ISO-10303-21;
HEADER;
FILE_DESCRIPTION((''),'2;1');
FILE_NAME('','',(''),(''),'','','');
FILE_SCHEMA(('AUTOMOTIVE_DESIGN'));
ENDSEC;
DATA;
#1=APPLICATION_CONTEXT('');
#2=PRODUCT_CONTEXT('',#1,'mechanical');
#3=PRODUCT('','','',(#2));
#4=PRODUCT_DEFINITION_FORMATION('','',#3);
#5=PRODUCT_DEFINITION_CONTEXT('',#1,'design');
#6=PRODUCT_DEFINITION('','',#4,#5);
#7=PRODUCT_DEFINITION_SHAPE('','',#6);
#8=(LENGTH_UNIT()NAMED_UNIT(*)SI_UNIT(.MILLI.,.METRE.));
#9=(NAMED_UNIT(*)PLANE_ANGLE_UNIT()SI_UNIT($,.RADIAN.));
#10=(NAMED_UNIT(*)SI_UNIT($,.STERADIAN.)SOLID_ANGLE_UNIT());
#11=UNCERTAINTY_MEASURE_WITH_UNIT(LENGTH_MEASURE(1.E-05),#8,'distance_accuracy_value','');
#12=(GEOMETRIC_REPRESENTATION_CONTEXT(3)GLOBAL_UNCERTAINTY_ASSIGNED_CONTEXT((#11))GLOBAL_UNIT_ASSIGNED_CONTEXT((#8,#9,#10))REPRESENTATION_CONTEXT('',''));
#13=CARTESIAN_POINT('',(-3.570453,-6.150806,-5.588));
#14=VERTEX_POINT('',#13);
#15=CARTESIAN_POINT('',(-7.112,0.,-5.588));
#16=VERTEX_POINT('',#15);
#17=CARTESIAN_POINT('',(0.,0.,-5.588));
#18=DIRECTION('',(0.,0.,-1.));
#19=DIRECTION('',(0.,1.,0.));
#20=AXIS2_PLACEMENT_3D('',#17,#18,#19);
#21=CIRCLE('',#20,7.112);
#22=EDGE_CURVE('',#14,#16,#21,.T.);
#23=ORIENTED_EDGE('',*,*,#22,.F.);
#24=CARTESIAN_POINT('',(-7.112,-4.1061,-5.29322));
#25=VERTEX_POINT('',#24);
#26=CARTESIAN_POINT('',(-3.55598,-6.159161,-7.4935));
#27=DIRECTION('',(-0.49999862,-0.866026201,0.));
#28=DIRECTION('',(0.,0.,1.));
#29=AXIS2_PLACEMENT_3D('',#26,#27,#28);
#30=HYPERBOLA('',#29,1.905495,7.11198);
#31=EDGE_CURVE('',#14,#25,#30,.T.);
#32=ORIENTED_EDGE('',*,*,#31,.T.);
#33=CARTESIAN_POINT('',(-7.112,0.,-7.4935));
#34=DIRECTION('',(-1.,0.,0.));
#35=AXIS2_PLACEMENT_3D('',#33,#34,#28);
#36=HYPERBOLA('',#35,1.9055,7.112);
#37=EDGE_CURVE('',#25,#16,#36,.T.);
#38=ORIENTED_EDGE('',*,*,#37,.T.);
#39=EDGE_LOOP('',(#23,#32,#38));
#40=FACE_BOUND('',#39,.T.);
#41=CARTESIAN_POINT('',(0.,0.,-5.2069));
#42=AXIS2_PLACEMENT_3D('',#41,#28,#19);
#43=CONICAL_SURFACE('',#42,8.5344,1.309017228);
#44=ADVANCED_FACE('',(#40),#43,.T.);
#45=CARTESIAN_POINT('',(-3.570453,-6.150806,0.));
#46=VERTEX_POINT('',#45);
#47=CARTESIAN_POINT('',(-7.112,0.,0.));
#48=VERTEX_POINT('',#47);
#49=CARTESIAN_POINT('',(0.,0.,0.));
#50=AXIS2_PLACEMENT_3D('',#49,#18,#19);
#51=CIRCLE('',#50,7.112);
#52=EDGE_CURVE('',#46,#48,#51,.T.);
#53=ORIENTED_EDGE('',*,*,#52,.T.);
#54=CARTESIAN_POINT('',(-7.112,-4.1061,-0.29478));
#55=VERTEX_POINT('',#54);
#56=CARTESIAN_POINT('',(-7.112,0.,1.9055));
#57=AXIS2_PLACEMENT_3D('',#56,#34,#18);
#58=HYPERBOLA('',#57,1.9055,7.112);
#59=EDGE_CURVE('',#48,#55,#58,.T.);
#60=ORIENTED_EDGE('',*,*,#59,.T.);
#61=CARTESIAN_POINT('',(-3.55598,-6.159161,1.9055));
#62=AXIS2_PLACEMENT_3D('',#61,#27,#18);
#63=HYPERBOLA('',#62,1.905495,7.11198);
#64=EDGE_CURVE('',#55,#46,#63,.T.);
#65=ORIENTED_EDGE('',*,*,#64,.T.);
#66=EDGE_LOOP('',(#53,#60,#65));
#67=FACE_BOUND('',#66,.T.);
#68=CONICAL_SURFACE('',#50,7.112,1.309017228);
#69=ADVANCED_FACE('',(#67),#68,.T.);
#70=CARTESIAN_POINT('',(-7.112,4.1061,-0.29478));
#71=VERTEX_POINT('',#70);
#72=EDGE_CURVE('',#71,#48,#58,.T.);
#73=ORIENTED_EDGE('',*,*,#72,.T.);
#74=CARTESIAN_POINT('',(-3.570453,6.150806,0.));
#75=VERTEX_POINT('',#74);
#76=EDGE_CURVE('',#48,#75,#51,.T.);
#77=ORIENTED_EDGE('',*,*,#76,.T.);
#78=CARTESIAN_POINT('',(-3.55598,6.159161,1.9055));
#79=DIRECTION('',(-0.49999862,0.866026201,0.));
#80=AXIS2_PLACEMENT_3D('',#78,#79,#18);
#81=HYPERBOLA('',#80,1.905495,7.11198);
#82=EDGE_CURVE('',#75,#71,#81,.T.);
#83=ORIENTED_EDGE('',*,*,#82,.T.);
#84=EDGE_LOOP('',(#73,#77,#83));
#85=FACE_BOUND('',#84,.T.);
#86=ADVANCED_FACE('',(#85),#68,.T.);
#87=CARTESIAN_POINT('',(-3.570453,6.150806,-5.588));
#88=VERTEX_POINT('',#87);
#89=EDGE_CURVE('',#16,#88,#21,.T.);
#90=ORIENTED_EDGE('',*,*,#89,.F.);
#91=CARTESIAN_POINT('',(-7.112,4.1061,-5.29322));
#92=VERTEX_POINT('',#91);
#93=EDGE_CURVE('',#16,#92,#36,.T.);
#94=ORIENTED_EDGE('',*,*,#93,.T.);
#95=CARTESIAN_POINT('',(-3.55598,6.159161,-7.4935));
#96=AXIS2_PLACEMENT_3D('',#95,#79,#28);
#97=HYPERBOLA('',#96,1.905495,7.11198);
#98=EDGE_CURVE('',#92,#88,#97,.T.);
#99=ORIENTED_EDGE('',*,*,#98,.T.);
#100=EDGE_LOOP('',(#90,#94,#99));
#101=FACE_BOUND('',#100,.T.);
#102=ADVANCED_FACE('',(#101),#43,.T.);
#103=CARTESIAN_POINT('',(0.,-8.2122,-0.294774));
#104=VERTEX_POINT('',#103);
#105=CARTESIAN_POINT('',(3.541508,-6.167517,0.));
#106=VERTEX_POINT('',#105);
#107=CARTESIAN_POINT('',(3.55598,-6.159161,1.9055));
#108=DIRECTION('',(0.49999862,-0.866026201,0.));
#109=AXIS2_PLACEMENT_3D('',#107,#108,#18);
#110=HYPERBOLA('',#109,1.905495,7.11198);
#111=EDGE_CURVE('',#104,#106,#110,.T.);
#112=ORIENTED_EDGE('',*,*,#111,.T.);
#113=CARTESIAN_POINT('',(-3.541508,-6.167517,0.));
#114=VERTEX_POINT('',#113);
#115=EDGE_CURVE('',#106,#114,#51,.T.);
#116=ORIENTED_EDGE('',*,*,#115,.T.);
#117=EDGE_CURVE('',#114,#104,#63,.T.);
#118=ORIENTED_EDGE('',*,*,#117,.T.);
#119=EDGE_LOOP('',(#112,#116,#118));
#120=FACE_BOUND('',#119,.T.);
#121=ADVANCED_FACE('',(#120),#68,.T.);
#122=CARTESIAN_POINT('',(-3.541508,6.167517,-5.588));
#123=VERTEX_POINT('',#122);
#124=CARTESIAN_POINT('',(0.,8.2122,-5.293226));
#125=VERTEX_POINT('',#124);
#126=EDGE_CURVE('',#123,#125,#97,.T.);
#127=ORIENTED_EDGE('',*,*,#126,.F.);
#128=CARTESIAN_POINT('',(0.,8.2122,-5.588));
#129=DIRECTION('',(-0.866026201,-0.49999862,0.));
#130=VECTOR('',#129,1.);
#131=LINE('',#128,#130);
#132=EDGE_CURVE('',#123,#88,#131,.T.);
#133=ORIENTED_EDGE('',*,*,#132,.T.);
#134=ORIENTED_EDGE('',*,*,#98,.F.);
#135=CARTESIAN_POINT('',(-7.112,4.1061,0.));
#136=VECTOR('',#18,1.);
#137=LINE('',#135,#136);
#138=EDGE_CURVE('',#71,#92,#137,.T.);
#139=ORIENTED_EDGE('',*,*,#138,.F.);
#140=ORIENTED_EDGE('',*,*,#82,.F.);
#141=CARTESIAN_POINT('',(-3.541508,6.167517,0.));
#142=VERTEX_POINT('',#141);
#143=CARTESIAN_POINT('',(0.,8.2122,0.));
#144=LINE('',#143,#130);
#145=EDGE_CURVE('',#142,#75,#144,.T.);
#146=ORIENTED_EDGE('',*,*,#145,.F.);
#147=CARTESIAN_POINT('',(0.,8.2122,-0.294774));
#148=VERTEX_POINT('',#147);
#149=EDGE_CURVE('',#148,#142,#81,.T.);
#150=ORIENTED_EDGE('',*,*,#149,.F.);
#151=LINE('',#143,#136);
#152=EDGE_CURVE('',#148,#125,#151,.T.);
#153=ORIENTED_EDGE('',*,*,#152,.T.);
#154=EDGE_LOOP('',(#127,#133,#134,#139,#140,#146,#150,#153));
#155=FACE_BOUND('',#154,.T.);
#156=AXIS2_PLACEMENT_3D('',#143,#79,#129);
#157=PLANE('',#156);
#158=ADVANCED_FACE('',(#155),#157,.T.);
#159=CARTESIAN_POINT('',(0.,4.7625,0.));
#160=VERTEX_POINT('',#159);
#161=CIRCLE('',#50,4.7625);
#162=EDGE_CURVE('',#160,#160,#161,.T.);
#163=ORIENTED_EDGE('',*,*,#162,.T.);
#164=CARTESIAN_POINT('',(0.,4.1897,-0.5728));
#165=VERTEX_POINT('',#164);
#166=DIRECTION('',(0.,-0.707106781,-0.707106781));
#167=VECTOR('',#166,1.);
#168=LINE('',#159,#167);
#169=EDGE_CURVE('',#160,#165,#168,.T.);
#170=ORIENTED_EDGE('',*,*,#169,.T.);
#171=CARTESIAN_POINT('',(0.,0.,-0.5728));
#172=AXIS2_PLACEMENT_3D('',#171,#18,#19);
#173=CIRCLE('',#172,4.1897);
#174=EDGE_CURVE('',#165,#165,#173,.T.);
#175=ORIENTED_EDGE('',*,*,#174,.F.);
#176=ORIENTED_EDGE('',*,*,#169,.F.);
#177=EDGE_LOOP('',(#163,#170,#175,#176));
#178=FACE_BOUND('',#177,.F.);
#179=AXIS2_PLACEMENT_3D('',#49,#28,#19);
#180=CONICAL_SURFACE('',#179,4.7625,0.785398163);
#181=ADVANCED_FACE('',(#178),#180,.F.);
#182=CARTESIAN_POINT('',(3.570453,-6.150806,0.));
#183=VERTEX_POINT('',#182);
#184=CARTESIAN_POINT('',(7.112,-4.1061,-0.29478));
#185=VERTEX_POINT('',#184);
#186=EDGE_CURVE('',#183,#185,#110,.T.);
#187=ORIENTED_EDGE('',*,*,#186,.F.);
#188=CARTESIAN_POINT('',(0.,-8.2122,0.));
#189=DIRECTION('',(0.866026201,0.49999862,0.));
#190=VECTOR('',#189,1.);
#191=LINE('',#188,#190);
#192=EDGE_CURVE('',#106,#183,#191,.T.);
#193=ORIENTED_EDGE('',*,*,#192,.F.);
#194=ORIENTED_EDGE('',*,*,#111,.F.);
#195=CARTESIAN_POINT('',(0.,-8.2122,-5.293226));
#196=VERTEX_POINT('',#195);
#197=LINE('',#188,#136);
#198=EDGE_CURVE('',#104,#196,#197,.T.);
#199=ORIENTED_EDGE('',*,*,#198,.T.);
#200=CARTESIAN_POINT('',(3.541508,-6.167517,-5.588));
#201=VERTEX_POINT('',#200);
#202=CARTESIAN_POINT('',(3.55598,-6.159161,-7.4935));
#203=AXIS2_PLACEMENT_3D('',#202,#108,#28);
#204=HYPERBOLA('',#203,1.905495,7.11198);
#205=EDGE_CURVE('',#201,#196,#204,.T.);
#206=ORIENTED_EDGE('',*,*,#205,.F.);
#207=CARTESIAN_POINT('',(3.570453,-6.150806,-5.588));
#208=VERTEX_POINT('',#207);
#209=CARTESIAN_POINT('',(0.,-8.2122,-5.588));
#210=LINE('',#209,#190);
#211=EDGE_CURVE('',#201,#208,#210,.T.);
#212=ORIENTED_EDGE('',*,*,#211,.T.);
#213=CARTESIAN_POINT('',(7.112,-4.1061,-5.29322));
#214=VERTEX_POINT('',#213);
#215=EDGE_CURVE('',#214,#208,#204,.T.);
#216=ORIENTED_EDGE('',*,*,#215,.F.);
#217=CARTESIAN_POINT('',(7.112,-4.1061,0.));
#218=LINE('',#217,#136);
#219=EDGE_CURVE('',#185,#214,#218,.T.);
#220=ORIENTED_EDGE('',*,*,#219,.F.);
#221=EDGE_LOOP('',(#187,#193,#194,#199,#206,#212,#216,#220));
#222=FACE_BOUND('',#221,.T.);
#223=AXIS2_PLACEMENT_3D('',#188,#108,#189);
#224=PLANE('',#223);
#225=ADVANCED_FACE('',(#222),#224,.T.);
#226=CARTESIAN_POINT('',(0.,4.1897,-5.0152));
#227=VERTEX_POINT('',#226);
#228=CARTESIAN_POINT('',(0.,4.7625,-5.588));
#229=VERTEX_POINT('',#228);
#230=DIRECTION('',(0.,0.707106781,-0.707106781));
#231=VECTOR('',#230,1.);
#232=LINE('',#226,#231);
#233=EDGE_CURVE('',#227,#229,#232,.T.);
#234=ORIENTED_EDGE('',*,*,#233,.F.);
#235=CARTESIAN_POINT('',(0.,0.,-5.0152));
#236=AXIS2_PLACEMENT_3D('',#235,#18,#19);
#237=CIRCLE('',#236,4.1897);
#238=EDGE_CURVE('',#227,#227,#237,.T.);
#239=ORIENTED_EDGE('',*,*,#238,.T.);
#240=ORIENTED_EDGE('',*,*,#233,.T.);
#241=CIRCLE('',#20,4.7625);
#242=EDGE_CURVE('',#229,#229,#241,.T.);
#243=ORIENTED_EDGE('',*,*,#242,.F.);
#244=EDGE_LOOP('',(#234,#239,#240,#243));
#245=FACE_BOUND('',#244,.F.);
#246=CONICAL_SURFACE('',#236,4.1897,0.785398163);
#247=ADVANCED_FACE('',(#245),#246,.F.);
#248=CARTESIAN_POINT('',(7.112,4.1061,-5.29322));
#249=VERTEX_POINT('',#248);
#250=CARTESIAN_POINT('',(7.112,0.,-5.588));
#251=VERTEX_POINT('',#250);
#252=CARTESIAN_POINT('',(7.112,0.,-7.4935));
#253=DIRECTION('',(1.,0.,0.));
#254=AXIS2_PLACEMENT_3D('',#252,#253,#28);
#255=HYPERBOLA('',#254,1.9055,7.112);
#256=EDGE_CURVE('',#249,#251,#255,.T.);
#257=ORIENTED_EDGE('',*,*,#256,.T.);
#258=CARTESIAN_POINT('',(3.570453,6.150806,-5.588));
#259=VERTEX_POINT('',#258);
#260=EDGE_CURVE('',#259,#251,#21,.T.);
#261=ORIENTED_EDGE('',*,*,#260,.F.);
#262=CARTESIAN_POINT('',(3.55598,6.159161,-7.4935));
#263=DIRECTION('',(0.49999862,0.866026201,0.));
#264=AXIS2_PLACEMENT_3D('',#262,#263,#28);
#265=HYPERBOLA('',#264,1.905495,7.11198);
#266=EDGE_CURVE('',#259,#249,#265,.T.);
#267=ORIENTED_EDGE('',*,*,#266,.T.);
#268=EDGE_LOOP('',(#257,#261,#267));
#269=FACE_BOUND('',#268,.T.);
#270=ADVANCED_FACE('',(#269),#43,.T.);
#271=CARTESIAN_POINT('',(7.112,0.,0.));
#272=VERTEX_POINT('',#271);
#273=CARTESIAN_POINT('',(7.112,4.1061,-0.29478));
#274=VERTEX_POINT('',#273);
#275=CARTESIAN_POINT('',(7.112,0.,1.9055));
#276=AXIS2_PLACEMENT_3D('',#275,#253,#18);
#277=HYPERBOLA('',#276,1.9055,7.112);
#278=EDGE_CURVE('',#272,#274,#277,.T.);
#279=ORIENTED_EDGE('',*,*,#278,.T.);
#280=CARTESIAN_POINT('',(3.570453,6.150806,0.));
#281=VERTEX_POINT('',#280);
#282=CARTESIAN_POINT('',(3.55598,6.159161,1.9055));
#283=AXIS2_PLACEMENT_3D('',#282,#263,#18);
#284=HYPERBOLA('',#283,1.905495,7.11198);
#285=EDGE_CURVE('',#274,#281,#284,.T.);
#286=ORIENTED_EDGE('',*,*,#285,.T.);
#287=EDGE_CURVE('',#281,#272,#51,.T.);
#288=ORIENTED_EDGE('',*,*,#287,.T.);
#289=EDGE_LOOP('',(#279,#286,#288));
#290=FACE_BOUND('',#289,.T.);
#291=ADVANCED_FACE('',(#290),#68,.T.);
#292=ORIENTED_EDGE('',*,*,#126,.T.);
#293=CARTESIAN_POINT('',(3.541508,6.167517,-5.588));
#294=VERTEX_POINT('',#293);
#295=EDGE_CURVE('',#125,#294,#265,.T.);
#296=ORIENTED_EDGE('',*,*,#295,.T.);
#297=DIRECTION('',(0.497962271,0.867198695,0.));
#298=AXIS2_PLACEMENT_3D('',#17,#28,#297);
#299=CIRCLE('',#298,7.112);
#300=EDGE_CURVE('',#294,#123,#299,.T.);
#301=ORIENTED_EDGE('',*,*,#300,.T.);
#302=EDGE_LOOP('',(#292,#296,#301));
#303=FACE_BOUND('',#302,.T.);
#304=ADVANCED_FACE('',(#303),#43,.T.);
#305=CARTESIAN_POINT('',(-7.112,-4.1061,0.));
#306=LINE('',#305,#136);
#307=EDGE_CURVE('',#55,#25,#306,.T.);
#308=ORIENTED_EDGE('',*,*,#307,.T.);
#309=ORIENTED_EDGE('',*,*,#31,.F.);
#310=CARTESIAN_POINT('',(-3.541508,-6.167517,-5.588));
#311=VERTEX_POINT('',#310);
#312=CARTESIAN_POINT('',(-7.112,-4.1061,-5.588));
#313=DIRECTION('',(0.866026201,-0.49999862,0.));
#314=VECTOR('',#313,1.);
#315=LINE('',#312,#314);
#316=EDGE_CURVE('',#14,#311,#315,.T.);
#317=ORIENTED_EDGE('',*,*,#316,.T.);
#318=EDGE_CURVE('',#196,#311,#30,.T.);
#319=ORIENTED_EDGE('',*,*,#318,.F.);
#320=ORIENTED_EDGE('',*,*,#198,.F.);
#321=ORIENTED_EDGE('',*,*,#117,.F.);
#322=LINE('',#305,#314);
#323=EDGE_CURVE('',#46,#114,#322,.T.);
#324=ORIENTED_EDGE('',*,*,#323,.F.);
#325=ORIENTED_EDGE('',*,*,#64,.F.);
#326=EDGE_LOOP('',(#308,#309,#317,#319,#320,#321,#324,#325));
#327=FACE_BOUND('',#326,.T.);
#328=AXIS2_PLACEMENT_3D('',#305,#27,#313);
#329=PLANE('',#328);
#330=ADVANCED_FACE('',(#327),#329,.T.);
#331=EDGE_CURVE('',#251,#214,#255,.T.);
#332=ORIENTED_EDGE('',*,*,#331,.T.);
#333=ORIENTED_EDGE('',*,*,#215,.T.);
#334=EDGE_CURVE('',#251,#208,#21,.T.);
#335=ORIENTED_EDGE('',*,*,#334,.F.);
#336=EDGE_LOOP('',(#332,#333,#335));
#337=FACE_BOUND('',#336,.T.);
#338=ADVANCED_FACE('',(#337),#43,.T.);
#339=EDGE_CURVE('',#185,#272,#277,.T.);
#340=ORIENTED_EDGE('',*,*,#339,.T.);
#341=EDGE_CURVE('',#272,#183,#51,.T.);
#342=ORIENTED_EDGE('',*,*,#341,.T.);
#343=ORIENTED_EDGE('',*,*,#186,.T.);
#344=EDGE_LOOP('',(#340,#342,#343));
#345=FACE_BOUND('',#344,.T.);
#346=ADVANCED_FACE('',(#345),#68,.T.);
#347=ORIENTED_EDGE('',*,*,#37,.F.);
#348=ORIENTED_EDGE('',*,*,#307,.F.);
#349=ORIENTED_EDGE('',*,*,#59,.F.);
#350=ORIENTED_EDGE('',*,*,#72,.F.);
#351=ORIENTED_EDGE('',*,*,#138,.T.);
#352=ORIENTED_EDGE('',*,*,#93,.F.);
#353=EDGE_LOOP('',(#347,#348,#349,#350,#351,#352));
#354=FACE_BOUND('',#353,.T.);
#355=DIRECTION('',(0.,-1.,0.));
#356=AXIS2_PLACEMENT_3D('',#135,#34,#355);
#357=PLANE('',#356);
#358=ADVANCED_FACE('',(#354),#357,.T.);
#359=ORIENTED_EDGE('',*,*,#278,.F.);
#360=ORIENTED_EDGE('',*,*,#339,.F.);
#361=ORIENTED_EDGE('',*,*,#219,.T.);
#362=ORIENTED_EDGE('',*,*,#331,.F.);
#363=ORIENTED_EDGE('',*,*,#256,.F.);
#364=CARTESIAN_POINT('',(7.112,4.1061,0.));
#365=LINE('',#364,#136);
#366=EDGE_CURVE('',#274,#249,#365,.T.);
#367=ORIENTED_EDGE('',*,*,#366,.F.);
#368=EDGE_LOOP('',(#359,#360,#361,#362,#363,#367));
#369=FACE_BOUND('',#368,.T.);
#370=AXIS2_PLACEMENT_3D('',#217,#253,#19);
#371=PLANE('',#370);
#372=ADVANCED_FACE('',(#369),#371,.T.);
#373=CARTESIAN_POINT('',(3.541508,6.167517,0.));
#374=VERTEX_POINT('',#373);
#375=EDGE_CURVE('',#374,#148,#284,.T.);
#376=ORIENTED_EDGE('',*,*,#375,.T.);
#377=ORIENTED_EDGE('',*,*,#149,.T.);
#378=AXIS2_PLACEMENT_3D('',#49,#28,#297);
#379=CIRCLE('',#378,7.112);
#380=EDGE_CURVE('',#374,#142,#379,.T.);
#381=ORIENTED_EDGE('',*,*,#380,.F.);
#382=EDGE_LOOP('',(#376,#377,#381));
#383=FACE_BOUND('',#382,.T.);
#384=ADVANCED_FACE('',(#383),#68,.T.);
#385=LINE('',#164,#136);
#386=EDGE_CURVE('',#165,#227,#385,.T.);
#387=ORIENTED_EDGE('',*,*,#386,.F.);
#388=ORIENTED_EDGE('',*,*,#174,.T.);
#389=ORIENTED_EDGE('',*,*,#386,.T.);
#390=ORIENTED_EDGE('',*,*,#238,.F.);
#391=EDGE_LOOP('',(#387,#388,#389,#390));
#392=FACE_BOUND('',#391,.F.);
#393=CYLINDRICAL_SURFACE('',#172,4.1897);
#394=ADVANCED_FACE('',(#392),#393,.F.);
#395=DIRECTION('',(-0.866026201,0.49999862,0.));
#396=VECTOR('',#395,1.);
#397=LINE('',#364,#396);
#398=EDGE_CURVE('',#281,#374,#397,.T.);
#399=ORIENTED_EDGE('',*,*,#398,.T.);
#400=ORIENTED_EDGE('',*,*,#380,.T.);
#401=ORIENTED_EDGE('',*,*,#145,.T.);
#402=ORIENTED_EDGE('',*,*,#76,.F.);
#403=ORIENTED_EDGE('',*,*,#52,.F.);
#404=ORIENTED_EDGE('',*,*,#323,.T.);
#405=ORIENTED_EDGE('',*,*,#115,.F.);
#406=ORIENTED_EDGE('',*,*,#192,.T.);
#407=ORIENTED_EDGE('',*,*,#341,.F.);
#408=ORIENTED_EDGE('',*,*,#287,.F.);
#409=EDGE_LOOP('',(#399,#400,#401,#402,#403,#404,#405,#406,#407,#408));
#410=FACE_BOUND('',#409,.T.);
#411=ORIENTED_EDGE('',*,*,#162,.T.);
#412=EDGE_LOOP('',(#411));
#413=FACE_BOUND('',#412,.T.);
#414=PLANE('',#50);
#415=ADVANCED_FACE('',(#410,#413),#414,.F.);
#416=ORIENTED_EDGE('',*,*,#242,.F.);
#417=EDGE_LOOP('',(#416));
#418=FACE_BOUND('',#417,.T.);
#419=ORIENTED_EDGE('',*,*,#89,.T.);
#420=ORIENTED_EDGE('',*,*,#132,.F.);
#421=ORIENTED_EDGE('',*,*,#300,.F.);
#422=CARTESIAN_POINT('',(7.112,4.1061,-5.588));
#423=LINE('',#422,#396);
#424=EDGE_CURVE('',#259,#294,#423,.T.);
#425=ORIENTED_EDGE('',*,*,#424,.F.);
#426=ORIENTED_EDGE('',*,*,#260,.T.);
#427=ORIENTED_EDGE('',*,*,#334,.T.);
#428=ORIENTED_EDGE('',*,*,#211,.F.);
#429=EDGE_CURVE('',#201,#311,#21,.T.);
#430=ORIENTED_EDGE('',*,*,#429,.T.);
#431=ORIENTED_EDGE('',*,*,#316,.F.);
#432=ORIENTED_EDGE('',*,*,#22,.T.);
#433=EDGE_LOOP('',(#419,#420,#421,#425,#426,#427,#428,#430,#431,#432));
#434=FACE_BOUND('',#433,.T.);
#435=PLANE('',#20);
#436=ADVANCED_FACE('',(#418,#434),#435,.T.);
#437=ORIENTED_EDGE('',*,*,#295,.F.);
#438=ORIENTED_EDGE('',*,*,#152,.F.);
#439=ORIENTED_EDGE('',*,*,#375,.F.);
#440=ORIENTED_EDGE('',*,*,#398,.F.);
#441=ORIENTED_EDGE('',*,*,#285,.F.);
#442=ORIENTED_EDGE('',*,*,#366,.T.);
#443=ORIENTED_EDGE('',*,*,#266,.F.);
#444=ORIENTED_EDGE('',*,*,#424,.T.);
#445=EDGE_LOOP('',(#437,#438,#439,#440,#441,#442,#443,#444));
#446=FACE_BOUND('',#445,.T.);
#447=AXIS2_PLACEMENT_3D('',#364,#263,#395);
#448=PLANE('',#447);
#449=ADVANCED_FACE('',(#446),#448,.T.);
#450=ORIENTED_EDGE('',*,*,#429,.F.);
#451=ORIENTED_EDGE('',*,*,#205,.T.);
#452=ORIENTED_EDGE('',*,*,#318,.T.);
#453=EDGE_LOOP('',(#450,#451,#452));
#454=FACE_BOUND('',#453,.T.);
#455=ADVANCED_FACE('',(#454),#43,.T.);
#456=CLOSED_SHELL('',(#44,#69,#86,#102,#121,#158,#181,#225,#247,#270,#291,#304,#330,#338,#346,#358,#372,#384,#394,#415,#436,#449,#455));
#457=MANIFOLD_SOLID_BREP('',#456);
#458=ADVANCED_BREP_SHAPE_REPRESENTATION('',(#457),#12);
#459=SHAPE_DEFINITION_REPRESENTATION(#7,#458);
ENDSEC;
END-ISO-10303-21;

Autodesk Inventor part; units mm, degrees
sketch "Sketch_8" plane through (0, 0, 0) normal (1, 0, 0) x (0, 1, 0)
  line L0 (0, -5.588) -> (0, 0)
  line L1 (0, 0) -> (7.112, 0)
  line L2 (7.112, 0) -> (8.5344, -0.3811)
  line L3 (8.5344, -0.3811) -> (8.5344, -5.2069)
  line L4 (8.5344, -5.2069) -> (7.112, -5.588)
  line L5 (7.112, -5.588) -> (0, -5.588)
  line L6 (0, -5.588) -> (0, 0)
sketch "Sketch_10" plane through (0, 0, 0) normal (0, 0, 1) x (1, 0, 0)
  line L0 (-14.224, 14.224) -> (-14.224, -14.224)
  line L1 (-14.224, -14.224) -> (14.224, -14.224)
  line L2 (14.224, -14.224) -> (14.224, 14.224)
  line L3 (14.224, 14.224) -> (-14.224, 14.224)
  line L4 (-7.112, 4.1061) -> (-7.112, -4.1061)
  line L5 (-7.112, -4.1061) -> (0, -8.2122)
  line L6 (0, -8.2122) -> (7.112, -4.1061)
  line L7 (7.112, -4.1061) -> (7.112, 4.1061)
  line L8 (7.112, 4.1061) -> (0, 8.2122)
  line L9 (0, 8.2122) -> (-7.112, 4.1061)
revolve "Revolution1" add sketch "Sketch_8" angle 360 about axis through (0, 0, -5.588) along (0, 0, -1)
extrude "Extrusion1" cut sketch "Sketch_10" against normal blind 5.588
sketch "Sketch_11" plane through (0, 0, 0) normal (1, 0, 0) x (0, 1, 0)
  line L0 (0, -5.588) -> (0, 0)
  line L1 (0, 0) -> (4.7625, 0)
  line L2 (4.7625, 0) -> (4.1897, -0.5728)
  line L3 (4.1897, -0.5728) -> (4.1897, -5.0152)
  line L4 (4.1897, -5.0152) -> (4.7625, -5.588)
  line L5 (4.7625, -5.588) -> (0, -5.588)
  line L6 (0, -5.588) -> (0, 0)
revolve "Revolution2" cut sketch "Sketch_11" angle 360 about axis through (0, 0, -5.588) along (0, 0, -1)
thread "Thread1" size "3/8-24 UNF" class "2B" standard "ANSI Unified Screw Threads" full length
ref_plane "NUT_XY" through (0, 0, 0) normal (0, 0, 1) x (1, 0, 0)
ref_plane "NUT_YZ" through (0, 0, 0) normal (1, 0, 0) x (0, 1, 0)
ref_plane "NUT_ZX" through (0, 0, 0) normal (0, 1, 0) x (0, 0, 1)
ref_plane "a1_XY" through (-7.112, 7.112, 0) normal (0, 0, 1) x (1, 0, 0)
ref_plane "a1_YZ" through (-7.112, 7.112, 0) normal (1, 0, 0) x (0, 1, 0)
ref_plane "a1_ZX" through (-7.112, 7.112, 0) normal (0, 1, 0) x (0, 0, 1)
ref_plane "a2_XY" through (7.112, 7.112, 0) normal (0, 0, 1) x (1, 0, 0)
ref_plane "a2_YZ" through (7.112, 7.112, 0) normal (1, 0, 0) x (0, 1, 0)
ref_plane "a2_ZX" through (7.112, 7.112, 0) normal (0, 1, 0) x (0, 0, 1)
ref_plane "b1_XY" through (0, 7.112, 0) normal (1, 0, 0) x (0, 0, -1)
ref_plane "b1_YZ" through (0, 7.112, 0) normal (0, 0, -1) x (0, 1, 0)
ref_plane "b1_ZX" through (0, 7.112, 0) normal (0, 1, 0) x (1, 0, 0)
ref_plane "b2_XY" through (0, 7.112, -5.588) normal (1, 0, 0) x (0, 0, -1)
ref_plane "b2_YZ" through (0, 7.112, -5.588) normal (0, 0, -1) x (0, 1, 0)
ref_plane "b2_ZX" through (0, 7.112, -5.588) normal (0, 1, 0) x (1, 0, 0)
ref_plane "e_XY" through (0, 0, -5.588) normal (1, 0, 0) x (0, 0, -1)
ref_plane "e_YZ" through (0, 0, -5.588) normal (0, 0, -1) x (0, 1, 0)
ref_plane "e_ZX" through (0, 0, -5.588) normal (0, 1, 0) x (1, 0, 0)
ref_plane "th1_XY" through (0, 4.7625, -5.588) normal (1, 0, 0) x (0, 0, -1)
ref_plane "th1_YZ" through (0, 4.7625, -5.588) normal (0, 0, -1) x (0, 1, 0)
ref_plane "th1_ZX" through (0, 4.7625, -5.588) normal (0, 1, 0) x (1, 0, 0)
ref_plane "th2_XY" through (0, -4.7625, -5.588) normal (1, 0, 0) x (0, 0, -1)
ref_plane "th2_YZ" through (0, -4.7625, -5.588) normal (0, 0, -1) x (0, 1, 0)
ref_plane "th2_ZX" through (0, -4.7625, -5.588) normal (0, 1, 0) x (1, 0, 0)
ref_plane "ol1_XY" through (0, 0, -7.112) normal (0, 1, 0) x (1, 0, 0)
ref_plane "ol1_YZ" through (0, 0, -7.112) normal (1, 0, 0) x (0, 0, -1)
ref_plane "ol1_ZX" through (0, 0, -7.112) normal (0, 0, -1) x (0, 1, 0)
ref_plane "ol2_XY" through (5.588, 0, -7.112) normal (0, 1, 0) x (1, 0, 0)
ref_plane "ol2_YZ" through (5.588, 0, -7.112) normal (1, 0, 0) x (0, 0, -1)
ref_plane "ol2_ZX" through (5.588, 0, -7.112) normal (0, 0, -1) x (0, 1, 0)
properties part number "D-801"
